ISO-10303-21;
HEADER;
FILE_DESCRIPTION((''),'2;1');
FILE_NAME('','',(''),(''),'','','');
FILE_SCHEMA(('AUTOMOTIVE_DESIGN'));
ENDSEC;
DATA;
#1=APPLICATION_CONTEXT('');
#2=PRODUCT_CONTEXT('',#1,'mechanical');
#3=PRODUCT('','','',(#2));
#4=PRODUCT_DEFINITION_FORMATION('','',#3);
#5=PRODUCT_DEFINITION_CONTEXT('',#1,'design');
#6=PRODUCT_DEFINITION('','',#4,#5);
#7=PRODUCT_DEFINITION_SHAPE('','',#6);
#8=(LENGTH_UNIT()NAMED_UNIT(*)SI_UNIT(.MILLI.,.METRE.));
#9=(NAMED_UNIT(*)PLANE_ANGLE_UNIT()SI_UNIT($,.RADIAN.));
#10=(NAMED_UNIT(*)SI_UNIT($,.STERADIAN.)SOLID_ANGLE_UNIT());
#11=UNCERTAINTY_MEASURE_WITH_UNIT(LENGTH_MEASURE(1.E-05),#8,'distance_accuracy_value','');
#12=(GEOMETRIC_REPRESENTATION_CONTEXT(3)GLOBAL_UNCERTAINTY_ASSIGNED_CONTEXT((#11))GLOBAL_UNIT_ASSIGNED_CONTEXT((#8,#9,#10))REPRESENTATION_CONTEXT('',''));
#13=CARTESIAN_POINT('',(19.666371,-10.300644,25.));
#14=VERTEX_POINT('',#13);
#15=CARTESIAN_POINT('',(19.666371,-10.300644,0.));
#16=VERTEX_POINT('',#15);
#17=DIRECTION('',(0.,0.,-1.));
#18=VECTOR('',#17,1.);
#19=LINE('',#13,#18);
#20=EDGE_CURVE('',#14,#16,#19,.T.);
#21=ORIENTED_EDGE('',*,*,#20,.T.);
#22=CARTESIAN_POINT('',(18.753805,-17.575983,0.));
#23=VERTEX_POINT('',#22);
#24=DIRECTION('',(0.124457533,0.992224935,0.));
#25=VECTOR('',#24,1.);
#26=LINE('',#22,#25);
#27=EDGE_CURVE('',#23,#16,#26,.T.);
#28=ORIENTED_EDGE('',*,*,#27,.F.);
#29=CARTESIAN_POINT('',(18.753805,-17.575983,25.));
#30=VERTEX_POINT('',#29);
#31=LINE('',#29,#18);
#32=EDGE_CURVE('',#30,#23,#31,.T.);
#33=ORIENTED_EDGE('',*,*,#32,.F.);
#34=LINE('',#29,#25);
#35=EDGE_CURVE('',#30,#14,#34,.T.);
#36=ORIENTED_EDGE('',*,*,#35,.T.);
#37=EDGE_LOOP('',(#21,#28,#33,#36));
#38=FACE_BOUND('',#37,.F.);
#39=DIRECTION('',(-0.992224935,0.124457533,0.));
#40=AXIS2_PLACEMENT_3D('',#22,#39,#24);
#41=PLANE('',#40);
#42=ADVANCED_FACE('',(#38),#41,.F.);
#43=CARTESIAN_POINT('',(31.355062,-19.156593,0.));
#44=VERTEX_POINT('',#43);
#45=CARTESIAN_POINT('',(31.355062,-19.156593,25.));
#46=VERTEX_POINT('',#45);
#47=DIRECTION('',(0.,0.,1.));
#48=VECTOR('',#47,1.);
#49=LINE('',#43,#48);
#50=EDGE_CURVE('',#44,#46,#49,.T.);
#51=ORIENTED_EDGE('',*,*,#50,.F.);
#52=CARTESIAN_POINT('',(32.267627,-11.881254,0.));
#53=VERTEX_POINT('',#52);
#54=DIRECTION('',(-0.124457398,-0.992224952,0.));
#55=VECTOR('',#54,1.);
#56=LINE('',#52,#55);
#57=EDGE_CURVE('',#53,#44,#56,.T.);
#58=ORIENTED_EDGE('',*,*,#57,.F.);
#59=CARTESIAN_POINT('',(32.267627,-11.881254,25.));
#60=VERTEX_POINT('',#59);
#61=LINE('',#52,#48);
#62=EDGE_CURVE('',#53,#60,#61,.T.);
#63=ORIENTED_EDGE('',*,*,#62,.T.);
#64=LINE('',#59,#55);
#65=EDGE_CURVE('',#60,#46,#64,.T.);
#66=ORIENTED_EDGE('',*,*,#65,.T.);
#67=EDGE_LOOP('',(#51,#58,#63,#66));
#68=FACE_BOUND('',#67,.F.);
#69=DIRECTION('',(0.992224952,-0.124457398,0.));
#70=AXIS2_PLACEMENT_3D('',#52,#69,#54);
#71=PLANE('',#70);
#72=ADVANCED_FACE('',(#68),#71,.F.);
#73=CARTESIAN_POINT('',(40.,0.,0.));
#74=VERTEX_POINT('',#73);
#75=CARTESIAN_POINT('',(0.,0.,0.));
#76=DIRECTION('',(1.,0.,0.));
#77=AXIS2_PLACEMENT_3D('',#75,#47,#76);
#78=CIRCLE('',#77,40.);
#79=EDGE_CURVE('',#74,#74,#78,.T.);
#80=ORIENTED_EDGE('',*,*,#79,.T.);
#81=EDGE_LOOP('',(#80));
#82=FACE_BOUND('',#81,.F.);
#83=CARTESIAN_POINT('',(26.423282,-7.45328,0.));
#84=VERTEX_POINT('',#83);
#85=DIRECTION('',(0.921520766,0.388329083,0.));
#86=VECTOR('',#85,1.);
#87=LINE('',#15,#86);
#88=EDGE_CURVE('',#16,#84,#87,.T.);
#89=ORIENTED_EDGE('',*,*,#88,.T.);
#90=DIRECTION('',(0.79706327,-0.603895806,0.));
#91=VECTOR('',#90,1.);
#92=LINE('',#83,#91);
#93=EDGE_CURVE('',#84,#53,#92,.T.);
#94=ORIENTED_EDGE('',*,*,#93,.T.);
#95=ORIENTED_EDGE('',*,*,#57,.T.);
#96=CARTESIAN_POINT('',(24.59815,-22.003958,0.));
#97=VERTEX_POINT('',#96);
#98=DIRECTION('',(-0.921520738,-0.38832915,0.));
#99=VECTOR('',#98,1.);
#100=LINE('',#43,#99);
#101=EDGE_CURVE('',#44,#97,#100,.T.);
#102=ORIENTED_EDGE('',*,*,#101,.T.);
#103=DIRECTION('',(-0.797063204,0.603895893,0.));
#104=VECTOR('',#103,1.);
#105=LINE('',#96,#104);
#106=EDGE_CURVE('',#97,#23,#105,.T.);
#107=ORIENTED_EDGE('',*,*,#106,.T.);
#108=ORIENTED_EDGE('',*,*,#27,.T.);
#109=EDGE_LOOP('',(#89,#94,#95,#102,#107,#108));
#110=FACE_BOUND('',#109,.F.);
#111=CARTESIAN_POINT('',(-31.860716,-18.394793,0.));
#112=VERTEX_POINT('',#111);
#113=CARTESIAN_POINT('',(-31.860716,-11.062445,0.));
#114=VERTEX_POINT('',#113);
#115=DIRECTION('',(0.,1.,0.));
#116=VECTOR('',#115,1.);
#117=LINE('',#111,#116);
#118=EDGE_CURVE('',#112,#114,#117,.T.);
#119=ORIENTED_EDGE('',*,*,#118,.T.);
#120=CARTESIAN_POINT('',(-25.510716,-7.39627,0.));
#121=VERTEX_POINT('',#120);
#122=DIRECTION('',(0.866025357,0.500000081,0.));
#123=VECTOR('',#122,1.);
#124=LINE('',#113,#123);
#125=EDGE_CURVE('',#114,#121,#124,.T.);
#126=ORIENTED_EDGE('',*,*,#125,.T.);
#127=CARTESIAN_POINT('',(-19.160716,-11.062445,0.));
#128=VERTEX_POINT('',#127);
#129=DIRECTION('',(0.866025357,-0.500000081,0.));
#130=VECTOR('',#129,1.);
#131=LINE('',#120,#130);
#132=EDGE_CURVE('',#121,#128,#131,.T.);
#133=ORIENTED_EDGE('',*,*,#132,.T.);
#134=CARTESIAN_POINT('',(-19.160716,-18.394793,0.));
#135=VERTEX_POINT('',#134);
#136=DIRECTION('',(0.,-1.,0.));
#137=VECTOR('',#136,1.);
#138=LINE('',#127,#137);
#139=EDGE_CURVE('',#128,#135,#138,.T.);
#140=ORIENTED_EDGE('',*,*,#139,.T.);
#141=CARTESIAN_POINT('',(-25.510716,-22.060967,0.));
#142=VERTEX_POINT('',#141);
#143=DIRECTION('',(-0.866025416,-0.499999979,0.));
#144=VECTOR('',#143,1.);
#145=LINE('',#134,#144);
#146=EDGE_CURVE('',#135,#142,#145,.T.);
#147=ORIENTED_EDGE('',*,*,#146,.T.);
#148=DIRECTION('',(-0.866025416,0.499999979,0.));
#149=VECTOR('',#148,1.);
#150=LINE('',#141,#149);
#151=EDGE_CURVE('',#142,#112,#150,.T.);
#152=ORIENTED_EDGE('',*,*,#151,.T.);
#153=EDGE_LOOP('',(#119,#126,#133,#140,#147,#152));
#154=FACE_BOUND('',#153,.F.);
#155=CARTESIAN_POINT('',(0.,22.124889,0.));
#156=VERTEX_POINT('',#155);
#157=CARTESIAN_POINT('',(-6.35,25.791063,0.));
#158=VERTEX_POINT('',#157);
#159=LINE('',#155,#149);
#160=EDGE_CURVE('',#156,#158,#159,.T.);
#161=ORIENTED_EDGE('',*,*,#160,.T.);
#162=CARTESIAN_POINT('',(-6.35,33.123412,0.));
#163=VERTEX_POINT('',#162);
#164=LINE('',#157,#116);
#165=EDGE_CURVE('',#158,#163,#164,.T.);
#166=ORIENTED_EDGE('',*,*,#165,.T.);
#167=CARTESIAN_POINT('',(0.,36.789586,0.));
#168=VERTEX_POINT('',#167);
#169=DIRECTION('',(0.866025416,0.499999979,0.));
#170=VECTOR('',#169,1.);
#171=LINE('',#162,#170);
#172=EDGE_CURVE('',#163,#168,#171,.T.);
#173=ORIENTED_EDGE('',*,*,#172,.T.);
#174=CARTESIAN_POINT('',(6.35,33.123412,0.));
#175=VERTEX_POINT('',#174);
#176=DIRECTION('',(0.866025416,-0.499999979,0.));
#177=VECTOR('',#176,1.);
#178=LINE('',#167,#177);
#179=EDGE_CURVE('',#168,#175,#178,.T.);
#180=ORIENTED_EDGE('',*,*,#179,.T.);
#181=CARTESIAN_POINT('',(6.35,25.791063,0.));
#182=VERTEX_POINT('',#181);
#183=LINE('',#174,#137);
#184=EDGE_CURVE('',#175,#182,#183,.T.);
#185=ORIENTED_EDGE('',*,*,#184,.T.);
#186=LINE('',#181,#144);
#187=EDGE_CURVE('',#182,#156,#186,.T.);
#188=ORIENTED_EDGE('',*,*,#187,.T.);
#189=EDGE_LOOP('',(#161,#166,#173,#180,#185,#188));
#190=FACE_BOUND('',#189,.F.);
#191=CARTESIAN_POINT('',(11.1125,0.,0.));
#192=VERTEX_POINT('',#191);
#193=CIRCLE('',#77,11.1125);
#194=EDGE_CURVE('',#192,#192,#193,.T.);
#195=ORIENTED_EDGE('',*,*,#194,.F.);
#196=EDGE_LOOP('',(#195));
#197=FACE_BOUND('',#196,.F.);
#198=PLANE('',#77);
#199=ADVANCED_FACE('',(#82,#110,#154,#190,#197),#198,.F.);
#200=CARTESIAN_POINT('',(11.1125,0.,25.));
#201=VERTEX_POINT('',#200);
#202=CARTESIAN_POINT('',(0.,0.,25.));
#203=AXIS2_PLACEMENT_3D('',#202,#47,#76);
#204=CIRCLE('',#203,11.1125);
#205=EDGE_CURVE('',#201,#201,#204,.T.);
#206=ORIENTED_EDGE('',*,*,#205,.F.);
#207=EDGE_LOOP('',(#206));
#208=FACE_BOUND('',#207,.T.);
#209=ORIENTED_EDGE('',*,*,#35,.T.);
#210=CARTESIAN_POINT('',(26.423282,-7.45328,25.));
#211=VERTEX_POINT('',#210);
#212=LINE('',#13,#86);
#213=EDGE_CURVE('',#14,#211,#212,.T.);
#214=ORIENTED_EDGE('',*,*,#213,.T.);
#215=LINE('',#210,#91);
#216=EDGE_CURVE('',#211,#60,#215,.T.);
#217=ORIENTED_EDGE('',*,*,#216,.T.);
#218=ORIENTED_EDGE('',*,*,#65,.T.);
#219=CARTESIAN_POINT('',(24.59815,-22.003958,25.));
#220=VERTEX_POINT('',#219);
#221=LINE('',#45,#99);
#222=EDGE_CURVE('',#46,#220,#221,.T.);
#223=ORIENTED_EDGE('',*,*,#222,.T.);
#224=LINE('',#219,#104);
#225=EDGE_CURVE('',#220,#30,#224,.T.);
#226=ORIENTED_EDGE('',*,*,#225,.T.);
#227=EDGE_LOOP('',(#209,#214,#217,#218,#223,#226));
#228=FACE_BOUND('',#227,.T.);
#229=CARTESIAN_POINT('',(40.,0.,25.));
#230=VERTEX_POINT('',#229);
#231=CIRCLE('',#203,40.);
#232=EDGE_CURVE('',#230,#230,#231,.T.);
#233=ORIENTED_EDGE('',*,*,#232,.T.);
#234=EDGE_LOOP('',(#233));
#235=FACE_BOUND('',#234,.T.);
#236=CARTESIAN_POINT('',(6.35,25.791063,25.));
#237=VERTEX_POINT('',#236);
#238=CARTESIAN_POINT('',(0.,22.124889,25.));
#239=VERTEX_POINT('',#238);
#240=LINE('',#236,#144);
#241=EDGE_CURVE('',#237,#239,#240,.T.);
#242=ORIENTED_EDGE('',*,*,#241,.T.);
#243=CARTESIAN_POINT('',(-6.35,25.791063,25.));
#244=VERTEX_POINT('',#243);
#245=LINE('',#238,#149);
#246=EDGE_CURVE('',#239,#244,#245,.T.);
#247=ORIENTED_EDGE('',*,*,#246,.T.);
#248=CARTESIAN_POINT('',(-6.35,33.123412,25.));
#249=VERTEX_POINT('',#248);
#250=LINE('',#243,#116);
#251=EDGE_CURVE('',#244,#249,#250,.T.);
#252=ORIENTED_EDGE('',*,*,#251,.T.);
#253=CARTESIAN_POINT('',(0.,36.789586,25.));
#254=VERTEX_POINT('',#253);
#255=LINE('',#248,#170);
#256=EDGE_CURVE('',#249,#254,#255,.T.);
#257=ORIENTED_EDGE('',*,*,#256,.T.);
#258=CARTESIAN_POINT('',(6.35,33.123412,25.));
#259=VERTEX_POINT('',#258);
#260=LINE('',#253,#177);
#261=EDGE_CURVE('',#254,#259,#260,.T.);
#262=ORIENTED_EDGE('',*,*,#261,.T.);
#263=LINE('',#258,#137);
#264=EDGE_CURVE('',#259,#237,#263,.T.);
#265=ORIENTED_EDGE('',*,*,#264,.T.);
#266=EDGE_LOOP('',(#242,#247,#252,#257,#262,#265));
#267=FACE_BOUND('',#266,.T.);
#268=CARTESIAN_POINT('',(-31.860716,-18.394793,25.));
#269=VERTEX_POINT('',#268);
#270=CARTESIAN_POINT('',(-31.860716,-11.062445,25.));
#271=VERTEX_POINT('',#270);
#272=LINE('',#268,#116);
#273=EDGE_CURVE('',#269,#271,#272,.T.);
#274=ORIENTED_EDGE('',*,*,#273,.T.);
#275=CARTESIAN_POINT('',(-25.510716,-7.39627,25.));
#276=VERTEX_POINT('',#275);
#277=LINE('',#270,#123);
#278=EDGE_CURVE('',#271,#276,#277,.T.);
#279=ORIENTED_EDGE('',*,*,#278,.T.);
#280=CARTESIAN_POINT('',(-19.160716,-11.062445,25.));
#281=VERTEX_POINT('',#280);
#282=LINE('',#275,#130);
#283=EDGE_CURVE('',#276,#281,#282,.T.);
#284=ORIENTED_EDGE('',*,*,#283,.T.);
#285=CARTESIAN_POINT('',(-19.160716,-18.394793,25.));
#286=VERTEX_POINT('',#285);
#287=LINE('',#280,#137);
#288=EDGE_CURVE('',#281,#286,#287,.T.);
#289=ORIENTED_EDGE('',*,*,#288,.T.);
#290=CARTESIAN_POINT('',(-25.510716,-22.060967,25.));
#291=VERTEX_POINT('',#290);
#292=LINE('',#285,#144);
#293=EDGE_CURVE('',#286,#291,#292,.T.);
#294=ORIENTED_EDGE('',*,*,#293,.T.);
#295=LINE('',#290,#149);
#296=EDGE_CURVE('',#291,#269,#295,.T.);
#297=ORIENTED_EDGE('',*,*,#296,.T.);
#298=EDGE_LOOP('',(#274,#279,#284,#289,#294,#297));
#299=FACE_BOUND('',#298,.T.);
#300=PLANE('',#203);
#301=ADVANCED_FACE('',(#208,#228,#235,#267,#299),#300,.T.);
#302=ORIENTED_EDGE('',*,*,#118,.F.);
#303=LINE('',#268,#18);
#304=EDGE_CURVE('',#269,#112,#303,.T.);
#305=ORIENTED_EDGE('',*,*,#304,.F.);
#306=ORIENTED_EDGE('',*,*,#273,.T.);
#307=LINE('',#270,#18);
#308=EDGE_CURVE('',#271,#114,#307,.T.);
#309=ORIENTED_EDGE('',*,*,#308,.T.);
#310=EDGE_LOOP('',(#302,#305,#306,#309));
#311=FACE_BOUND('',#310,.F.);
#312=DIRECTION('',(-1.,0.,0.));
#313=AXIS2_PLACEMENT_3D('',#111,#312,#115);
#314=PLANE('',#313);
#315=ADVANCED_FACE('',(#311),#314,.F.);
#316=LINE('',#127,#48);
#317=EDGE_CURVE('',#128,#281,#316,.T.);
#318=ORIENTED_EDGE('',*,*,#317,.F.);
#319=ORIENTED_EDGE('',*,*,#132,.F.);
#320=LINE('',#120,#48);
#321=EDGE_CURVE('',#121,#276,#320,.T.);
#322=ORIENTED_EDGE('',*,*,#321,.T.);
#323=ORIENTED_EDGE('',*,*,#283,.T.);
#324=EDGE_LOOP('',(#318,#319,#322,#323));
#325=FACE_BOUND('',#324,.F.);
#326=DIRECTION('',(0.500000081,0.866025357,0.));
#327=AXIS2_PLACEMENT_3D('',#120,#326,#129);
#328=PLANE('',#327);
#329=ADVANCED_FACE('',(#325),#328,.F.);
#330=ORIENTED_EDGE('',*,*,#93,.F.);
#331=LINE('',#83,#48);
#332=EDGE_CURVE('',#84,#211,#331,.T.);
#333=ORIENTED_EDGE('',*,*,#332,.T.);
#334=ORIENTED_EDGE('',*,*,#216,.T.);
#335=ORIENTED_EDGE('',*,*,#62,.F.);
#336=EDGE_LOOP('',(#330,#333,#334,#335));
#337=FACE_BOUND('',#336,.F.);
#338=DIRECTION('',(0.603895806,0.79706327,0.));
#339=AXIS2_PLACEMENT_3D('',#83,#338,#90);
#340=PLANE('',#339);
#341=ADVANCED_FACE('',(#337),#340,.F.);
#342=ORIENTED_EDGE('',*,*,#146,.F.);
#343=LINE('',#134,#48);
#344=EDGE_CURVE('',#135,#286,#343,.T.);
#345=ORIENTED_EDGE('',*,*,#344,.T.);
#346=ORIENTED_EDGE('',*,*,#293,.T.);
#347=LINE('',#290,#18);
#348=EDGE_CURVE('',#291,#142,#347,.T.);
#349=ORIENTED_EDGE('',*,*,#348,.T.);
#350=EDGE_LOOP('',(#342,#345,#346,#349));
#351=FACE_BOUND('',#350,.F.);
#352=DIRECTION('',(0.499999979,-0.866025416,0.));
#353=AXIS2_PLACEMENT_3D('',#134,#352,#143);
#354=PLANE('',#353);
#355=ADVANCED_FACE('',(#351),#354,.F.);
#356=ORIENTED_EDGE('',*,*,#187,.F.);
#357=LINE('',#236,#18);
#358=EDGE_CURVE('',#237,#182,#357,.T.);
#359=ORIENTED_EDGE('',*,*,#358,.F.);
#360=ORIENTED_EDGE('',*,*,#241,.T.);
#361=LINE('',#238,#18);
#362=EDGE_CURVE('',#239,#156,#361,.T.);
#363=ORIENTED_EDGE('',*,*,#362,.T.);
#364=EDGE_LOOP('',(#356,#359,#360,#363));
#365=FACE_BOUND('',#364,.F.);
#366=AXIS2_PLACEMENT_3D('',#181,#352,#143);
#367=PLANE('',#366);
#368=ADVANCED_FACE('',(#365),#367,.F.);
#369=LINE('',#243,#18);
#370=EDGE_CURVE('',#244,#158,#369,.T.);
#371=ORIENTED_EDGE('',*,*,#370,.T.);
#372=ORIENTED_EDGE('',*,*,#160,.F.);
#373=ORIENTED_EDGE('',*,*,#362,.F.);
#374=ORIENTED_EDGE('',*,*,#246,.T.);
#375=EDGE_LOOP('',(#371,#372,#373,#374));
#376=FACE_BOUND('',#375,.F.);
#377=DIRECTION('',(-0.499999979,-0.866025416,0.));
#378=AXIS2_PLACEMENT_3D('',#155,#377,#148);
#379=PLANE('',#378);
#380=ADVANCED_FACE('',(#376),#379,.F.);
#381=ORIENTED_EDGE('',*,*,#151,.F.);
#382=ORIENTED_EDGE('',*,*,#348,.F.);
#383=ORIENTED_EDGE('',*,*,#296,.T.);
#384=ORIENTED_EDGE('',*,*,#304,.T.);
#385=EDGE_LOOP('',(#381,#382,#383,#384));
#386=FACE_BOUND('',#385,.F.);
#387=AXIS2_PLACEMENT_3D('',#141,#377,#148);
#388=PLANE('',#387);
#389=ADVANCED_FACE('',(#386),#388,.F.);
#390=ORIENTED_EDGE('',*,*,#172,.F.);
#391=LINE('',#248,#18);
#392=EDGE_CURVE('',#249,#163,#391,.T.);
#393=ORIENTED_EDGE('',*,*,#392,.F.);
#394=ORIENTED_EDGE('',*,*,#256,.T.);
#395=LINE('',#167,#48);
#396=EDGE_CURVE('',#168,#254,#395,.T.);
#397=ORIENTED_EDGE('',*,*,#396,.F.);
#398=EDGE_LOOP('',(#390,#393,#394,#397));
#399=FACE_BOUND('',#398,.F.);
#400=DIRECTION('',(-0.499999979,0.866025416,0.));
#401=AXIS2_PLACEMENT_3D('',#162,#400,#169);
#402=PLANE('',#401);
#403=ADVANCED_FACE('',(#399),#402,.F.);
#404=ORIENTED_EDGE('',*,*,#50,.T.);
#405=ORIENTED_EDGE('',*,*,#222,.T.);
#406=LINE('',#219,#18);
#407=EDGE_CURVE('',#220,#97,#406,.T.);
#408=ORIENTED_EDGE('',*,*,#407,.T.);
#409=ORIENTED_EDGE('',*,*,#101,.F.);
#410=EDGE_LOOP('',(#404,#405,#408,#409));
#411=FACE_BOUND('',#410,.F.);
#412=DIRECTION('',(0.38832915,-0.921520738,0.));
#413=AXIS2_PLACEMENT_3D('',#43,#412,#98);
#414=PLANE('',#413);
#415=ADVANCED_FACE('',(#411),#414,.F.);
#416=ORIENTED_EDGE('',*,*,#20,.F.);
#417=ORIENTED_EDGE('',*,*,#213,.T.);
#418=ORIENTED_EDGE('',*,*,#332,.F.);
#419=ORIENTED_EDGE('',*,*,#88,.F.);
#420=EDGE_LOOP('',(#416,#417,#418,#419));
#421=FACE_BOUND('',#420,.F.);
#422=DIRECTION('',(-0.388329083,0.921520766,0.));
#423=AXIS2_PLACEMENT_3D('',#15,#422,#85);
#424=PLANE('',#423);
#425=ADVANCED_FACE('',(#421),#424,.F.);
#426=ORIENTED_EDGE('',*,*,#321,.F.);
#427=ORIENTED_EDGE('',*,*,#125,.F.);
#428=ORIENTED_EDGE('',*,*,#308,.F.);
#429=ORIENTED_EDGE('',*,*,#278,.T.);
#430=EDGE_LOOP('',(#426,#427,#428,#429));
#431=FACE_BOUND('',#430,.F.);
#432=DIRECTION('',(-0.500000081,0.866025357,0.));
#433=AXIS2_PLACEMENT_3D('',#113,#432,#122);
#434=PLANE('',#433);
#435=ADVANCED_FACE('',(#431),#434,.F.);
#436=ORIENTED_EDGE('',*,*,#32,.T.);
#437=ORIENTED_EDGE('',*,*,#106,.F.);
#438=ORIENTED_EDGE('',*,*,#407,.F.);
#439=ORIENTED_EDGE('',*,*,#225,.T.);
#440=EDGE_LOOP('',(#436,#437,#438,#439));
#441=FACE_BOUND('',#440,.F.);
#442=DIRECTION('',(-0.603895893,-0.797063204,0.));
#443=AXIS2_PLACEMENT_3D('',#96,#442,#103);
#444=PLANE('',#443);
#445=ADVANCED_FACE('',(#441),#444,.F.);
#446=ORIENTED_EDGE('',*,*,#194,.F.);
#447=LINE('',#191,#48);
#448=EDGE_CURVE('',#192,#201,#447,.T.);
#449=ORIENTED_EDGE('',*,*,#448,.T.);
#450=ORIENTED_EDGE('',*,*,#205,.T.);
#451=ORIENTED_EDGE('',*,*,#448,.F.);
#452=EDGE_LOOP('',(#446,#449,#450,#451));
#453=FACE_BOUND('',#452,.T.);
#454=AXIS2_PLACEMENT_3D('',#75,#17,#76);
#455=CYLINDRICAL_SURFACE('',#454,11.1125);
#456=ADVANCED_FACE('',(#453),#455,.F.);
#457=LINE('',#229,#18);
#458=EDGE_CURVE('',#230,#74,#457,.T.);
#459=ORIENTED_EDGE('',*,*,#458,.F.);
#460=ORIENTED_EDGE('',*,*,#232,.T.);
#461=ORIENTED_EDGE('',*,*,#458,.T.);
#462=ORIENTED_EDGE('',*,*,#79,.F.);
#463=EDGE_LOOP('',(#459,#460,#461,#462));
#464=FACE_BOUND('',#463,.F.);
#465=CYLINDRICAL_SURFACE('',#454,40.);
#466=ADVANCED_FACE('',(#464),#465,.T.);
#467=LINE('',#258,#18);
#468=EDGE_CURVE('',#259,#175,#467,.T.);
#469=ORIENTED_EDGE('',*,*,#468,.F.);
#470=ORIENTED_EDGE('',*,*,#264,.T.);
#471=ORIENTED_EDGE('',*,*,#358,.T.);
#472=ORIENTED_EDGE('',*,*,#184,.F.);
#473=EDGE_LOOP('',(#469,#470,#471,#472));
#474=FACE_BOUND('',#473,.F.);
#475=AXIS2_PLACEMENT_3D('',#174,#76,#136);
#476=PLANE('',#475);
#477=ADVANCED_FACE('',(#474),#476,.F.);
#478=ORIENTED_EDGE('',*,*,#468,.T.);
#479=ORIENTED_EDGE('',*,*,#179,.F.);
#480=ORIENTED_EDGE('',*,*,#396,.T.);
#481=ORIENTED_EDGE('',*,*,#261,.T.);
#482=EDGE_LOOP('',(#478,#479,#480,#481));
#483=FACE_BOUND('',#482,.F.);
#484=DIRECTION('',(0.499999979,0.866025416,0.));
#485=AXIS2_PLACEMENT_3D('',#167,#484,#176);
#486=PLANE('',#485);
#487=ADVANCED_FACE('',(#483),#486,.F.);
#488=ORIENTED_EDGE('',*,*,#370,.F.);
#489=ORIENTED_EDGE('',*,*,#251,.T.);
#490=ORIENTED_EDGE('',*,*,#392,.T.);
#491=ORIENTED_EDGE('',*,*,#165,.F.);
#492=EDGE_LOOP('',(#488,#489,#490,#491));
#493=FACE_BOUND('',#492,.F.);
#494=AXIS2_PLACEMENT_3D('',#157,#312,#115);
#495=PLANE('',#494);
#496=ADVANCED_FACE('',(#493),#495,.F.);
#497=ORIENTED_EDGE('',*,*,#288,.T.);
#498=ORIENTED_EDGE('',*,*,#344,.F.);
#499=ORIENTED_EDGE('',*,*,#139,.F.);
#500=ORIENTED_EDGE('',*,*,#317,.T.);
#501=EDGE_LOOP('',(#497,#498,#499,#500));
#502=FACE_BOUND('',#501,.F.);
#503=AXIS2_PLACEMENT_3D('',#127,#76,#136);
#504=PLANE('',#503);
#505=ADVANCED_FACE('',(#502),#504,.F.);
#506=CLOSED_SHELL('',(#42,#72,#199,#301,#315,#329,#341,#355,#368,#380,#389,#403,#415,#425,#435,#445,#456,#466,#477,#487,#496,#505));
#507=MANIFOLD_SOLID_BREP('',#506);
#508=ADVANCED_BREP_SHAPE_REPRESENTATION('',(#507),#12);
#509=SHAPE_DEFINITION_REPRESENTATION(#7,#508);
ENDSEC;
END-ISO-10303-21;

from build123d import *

# Parameters (mm, degrees)
F0_R     = 40
F0_R_2   = 11.1125
F1_DEPTH = 7.5
F2_DEPTH = 25


with BuildPart() as f1:
    # F0 (on Top) → F1 (new body)
    with BuildSketch(Plane.XY):
        Circle(F0_R)
        Polygon((-25.510716, -7.39627), (-19.160716, -11.062445), (-19.160716, -18.394793), (-25.510716, -22.060967), (-31.860716, -18.394793), (-31.860716, -11.062445), align=None, mode=Mode.SUBTRACT)
        Polygon((26.423282, -7.45328), (32.267627, -11.881254), (31.355062, -19.156593), (24.59815, -22.003958), (18.753805, -17.575983), (19.666371, -10.300644), align=None, mode=Mode.SUBTRACT)
        Circle(F0_R_2, mode=Mode.SUBTRACT)
        Polygon((0, 36.789586), (6.35, 33.123412), (6.35, 25.791063), (0, 22.124889), (-6.35, 25.791063), (-6.35, 33.123412), align=None, mode=Mode.SUBTRACT)
    extrude(amount=F1_DEPTH)

    # F0 (on Top) → F2 (join)
    with BuildSketch(Plane.XY):
        Circle(F0_R)
        Polygon((-25.510716, -7.39627), (-19.160716, -11.062445), (-19.160716, -18.394793), (-25.510716, -22.060967), (-31.860716, -18.394793), (-31.860716, -11.062445), align=None, mode=Mode.SUBTRACT)
        Polygon((26.423282, -7.45328), (32.267627, -11.881254), (31.355062, -19.156593), (24.59815, -22.003958), (18.753805, -17.575983), (19.666371, -10.300644), align=None, mode=Mode.SUBTRACT)
        Circle(F0_R_2, mode=Mode.SUBTRACT)
        Polygon((0, 36.789586), (6.35, 33.123412), (6.35, 25.791063), (0, 22.124889), (-6.35, 25.791063), (-6.35, 33.123412), align=None, mode=Mode.SUBTRACT)
    extrude(amount=F2_DEPTH)


solid = f1.part
